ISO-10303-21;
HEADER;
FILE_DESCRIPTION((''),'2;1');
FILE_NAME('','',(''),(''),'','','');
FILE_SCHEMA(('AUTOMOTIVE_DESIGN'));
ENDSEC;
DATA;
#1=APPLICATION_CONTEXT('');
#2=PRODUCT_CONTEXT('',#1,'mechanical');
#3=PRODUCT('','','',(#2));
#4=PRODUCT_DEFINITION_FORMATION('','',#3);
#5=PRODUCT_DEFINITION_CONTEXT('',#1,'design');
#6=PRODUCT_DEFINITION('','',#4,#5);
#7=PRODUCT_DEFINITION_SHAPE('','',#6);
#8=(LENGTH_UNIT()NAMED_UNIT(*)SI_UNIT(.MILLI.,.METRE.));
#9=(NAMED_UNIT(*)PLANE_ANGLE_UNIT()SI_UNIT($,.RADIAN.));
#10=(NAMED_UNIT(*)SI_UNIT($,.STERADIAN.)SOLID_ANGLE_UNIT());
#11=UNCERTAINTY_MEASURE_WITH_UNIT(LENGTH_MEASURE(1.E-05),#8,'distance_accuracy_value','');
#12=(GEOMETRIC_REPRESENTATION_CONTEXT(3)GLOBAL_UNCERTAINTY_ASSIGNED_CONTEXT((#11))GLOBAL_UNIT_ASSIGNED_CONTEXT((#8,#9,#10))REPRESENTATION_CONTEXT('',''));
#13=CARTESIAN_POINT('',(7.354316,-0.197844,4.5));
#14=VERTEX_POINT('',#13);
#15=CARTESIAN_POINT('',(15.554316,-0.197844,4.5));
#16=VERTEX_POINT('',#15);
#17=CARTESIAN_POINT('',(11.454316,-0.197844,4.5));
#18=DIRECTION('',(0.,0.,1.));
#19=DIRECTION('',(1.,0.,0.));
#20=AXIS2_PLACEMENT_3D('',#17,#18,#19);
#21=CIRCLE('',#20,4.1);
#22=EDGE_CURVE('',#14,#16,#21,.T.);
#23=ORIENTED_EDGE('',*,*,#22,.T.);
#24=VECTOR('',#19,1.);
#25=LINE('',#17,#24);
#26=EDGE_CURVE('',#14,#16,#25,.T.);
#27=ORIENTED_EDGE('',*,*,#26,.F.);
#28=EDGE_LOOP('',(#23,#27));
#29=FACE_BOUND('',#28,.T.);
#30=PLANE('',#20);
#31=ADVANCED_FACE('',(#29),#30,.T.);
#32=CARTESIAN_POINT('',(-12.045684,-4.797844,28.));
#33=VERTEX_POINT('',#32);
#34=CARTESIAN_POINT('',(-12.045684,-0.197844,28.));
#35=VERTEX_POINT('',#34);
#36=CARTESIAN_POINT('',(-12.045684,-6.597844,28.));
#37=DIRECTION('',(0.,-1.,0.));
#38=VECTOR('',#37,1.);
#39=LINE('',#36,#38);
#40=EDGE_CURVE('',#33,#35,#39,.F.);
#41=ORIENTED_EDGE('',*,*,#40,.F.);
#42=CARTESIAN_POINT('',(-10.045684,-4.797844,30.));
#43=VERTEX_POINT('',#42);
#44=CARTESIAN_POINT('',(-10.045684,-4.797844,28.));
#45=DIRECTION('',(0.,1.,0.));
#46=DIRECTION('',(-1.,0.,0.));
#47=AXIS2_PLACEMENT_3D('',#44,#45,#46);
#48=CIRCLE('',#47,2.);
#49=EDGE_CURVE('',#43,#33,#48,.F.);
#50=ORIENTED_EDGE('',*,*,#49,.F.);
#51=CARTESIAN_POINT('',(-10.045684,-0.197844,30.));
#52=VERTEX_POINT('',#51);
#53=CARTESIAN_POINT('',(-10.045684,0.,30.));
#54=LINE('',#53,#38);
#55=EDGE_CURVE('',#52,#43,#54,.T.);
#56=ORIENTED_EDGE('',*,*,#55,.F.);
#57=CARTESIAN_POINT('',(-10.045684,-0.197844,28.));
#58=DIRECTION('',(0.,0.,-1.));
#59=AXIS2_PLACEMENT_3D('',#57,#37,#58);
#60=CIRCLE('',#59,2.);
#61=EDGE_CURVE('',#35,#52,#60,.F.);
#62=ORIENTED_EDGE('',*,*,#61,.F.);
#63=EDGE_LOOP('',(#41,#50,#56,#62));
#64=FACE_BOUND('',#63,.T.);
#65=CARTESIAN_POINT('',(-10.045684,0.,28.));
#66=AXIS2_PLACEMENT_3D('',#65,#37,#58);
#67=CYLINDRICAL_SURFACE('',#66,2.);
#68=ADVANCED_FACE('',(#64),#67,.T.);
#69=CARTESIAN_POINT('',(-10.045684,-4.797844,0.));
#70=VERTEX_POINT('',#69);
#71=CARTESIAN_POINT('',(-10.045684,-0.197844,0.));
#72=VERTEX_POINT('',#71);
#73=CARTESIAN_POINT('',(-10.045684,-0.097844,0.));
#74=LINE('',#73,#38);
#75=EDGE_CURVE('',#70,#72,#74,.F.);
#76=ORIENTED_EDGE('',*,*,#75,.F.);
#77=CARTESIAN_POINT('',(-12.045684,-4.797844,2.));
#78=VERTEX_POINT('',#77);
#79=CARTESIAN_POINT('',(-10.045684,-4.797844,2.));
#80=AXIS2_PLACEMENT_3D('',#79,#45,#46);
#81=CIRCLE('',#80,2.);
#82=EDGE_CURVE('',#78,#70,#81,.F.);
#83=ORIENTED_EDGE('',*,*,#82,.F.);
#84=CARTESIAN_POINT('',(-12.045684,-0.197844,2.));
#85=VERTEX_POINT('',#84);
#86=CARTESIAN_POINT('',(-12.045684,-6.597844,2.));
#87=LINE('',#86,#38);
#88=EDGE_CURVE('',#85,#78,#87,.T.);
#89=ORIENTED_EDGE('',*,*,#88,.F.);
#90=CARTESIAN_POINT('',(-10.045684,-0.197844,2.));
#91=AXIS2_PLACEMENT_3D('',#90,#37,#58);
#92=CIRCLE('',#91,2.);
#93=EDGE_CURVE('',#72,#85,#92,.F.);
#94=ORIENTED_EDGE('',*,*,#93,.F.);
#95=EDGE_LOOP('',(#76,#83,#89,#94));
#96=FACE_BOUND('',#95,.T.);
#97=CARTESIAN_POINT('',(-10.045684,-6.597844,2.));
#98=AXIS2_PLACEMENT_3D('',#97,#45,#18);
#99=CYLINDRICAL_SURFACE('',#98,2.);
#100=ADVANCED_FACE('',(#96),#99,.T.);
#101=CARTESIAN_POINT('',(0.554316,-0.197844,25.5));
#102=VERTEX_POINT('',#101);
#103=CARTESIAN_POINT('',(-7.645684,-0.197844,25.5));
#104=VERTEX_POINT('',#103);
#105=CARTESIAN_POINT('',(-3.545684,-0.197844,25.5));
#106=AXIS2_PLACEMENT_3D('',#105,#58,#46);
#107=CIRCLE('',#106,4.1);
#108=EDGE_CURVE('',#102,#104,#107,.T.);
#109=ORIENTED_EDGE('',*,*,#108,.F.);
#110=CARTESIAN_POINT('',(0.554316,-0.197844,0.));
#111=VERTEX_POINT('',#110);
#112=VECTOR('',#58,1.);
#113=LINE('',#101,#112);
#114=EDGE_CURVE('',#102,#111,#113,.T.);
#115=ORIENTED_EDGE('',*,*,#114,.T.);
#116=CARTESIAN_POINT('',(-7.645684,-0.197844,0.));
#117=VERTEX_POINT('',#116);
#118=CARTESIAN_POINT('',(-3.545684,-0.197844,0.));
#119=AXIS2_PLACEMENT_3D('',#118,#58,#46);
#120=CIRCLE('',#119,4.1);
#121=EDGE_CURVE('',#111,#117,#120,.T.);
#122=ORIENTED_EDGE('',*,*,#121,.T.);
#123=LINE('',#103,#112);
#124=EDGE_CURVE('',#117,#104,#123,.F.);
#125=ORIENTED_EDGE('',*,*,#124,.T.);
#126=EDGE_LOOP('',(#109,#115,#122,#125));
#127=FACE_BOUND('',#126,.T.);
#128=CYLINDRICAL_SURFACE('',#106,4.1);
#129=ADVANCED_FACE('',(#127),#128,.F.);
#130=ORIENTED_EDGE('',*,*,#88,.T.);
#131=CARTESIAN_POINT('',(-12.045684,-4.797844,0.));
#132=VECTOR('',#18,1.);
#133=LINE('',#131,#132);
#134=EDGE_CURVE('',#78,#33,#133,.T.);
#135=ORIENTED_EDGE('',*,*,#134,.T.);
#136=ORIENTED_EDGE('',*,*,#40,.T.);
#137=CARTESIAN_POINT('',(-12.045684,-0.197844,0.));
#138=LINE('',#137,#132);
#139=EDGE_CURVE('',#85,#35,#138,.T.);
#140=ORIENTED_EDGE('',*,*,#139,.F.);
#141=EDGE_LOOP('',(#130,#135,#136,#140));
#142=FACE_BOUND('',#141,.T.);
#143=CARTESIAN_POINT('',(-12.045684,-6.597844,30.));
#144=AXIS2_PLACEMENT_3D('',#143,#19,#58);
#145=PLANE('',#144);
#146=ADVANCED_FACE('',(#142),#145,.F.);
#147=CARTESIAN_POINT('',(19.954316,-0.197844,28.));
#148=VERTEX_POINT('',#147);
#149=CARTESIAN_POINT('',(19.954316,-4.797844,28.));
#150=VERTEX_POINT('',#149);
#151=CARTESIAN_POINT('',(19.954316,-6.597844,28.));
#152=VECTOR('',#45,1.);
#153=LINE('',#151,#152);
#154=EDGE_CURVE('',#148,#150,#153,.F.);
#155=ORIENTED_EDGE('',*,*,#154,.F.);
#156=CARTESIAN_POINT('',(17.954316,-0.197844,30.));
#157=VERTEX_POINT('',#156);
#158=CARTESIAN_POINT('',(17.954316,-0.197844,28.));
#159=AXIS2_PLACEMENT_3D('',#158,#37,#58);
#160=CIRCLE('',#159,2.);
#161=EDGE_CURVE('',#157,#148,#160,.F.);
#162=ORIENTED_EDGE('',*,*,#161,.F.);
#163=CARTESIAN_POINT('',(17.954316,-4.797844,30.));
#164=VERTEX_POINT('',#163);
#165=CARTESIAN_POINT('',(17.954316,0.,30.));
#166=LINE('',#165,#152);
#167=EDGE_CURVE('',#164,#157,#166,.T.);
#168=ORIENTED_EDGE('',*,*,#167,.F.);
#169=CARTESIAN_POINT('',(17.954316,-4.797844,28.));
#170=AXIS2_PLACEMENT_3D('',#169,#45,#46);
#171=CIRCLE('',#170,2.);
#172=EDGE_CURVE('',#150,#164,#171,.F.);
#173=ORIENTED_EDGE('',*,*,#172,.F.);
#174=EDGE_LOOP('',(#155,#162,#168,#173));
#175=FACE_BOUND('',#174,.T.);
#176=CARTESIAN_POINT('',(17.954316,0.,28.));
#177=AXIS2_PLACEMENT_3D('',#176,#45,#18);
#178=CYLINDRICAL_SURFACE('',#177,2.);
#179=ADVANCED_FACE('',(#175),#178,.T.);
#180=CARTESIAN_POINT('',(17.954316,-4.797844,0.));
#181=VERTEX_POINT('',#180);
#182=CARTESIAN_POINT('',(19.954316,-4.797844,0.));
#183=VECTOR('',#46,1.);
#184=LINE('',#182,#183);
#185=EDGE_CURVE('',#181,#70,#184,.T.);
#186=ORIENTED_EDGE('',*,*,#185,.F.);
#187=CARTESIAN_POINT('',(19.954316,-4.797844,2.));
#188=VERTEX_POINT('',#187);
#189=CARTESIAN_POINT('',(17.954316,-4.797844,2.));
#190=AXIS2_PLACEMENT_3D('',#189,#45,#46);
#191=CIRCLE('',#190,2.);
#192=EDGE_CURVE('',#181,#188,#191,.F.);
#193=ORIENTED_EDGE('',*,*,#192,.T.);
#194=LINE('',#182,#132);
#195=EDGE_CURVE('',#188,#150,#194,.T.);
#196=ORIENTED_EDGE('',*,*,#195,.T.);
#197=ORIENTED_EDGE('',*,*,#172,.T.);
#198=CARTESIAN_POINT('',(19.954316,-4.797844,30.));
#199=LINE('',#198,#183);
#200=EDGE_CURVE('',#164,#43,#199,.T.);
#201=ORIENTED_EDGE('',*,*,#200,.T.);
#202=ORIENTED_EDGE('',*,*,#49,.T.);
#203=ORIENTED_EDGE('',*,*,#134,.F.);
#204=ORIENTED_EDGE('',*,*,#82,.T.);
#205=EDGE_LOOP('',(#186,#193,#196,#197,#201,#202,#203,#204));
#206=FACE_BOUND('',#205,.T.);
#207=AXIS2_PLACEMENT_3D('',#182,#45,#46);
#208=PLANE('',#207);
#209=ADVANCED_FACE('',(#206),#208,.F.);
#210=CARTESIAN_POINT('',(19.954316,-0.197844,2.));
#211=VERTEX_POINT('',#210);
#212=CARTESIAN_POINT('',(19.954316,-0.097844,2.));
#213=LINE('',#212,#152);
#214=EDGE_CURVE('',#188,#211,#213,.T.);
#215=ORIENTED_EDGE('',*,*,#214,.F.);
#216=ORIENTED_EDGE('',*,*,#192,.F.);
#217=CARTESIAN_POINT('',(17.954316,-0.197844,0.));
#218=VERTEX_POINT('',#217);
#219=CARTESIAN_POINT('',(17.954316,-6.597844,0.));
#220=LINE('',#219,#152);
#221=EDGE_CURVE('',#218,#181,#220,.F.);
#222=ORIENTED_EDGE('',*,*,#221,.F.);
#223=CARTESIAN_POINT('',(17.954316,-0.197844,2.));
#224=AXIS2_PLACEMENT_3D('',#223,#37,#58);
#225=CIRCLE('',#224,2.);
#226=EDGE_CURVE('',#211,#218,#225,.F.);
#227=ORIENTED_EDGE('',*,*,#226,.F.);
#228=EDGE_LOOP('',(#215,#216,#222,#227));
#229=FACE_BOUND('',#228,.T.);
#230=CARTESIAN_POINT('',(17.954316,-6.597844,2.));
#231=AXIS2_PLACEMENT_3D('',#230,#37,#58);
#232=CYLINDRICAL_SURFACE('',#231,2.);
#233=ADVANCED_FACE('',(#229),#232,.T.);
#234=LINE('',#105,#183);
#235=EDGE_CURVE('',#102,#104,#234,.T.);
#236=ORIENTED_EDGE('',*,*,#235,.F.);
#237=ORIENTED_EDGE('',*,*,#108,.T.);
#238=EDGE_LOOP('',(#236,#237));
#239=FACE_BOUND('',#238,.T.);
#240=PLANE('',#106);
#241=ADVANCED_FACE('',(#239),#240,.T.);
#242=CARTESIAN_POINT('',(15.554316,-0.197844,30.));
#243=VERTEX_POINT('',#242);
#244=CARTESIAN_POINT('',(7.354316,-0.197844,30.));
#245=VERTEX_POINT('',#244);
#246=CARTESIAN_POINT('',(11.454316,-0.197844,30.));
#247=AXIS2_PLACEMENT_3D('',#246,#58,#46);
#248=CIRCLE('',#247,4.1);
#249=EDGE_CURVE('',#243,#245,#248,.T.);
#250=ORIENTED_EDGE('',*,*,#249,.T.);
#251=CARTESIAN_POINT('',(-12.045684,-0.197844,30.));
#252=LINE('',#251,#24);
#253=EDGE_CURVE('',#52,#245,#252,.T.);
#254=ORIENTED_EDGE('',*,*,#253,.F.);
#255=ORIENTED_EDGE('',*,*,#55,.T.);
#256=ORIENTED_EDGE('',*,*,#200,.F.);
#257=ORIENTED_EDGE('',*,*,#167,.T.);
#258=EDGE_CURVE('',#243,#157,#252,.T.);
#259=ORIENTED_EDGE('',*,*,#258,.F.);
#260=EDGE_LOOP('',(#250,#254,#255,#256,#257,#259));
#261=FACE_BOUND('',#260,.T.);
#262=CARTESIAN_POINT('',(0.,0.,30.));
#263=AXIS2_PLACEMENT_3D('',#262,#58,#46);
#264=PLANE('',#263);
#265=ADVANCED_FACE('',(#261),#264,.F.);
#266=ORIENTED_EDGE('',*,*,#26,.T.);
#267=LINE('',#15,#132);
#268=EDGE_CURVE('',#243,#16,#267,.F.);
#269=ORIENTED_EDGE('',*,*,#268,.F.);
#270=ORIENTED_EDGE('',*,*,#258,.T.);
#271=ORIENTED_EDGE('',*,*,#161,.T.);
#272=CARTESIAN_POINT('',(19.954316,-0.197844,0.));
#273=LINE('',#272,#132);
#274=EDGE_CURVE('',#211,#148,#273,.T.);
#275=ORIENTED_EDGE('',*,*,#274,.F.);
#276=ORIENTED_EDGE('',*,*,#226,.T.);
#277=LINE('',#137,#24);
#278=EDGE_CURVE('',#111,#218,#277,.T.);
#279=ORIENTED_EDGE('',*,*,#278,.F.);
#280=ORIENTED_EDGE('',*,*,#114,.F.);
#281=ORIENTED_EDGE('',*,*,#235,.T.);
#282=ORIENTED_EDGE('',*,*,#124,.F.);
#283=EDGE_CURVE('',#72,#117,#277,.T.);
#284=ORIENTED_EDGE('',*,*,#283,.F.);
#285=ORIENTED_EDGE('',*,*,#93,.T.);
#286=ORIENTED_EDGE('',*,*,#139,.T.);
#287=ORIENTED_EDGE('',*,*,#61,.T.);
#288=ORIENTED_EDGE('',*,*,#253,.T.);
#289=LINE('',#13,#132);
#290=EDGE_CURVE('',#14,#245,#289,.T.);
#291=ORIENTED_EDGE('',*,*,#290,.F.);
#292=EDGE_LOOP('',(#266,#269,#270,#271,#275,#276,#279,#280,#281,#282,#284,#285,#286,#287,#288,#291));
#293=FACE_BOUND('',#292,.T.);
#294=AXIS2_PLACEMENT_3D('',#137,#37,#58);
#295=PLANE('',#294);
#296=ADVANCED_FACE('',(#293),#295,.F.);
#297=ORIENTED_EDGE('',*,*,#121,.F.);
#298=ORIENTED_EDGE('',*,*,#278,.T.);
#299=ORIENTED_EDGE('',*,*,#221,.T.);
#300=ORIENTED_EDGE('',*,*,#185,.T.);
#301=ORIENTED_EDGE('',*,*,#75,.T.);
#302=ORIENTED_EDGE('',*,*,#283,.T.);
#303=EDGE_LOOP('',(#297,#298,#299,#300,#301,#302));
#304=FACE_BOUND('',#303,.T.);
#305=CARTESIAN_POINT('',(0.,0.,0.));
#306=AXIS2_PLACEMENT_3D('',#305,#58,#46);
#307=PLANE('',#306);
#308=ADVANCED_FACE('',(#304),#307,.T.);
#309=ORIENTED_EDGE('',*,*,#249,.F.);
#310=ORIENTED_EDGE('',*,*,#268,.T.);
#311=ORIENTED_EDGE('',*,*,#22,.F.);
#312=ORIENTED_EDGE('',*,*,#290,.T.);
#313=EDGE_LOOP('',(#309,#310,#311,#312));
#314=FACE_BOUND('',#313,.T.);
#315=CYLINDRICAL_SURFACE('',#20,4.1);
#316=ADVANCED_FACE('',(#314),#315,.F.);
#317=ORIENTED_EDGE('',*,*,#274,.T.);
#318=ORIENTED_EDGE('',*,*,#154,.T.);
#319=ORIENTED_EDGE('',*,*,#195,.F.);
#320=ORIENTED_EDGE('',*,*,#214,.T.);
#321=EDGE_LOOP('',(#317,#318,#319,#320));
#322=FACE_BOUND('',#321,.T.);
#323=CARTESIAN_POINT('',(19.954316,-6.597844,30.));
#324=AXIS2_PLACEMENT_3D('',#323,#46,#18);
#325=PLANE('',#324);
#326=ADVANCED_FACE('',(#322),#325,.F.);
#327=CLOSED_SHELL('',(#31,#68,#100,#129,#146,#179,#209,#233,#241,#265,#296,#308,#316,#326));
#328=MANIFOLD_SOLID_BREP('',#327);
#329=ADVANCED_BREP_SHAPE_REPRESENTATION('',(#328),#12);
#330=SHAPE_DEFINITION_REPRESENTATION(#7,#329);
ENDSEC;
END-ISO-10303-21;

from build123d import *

# Parameters (mm, degrees)
SKETCH1_W           = 32
SKETCH1_H           = 6.5
BOSS_EXTRUDE1_DEPTH = 30
FILLET1_R           = 2
SKETCH2_R           = 4.1
CUT_EXTRUDE1_DEPTH  = 25.5
SKETCH3_R           = 4.1
CUT_EXTRUDE2_DEPTH  = 25.5
SKETCH5_W           = 32
SKETCH5_H           = 0.1
CUT_EXTRUDE3_DEPTH  = 37.629308734
SKETCH6_W           = 32
SKETCH6_H           = 1.8
CUT_EXTRUDE4_DEPTH  = 37.629308734


with BuildPart() as part:
    # Sketch1 → Boss-Extrude1 (new body)
    with BuildSketch(Plane.XY):
        with Locations((3.954315745, -3.347843701)):
            Rectangle(SKETCH1_W, SKETCH1_H)
    extrude(amount=BOSS_EXTRUDE1_DEPTH)

    # Fillet1
    fillet1_edges = [part.edges().sort_by_distance(p)[0] for p in [
        (19.954315745, -3.347843701, 30),
        (-12.045684255, -3.347843701, 30),
        (19.954315745, -3.347843701, 0),
        (-12.045684255, -3.347843701, 0),
    ]]
    fillet(fillet1_edges, radius=FILLET1_R)

    # Sketch2 → Cut-Extrude1 (cut)
    with BuildSketch(Plane(origin=(0, 0, 0), x_dir=(-1, 0, 0), z_dir=(0, 0, -1))):
        with Locations((3.545684255, -0.197843701)):
            Circle(SKETCH2_R)
    extrude(amount=-CUT_EXTRUDE1_DEPTH, mode=Mode.SUBTRACT)

    # Sketch3 → Cut-Extrude2 (cut)
    with BuildSketch(Plane.XY.offset(30)):
        with Locations((11.454315745, -0.197843701)):
            Circle(SKETCH3_R)
    extrude(amount=-CUT_EXTRUDE2_DEPTH, mode=Mode.SUBTRACT)

    # Sketch5 → Cut-Extrude3 (cut, through all)
    with BuildSketch(Plane.XY.offset(30)):
        with Locations((3.954315745, -0.147843701)):
            Rectangle(SKETCH5_W, SKETCH5_H)
    extrude(amount=-CUT_EXTRUDE3_DEPTH, mode=Mode.SUBTRACT)

    # Sketch6 → Cut-Extrude4 (cut, through all)
    with BuildSketch(Plane.XY.offset(30)):
        with Locations((3.954315745, -5.697843701)):
            Rectangle(SKETCH6_W, SKETCH6_H)
    extrude(amount=-CUT_EXTRUDE4_DEPTH, mode=Mode.SUBTRACT)


solid = part.part
